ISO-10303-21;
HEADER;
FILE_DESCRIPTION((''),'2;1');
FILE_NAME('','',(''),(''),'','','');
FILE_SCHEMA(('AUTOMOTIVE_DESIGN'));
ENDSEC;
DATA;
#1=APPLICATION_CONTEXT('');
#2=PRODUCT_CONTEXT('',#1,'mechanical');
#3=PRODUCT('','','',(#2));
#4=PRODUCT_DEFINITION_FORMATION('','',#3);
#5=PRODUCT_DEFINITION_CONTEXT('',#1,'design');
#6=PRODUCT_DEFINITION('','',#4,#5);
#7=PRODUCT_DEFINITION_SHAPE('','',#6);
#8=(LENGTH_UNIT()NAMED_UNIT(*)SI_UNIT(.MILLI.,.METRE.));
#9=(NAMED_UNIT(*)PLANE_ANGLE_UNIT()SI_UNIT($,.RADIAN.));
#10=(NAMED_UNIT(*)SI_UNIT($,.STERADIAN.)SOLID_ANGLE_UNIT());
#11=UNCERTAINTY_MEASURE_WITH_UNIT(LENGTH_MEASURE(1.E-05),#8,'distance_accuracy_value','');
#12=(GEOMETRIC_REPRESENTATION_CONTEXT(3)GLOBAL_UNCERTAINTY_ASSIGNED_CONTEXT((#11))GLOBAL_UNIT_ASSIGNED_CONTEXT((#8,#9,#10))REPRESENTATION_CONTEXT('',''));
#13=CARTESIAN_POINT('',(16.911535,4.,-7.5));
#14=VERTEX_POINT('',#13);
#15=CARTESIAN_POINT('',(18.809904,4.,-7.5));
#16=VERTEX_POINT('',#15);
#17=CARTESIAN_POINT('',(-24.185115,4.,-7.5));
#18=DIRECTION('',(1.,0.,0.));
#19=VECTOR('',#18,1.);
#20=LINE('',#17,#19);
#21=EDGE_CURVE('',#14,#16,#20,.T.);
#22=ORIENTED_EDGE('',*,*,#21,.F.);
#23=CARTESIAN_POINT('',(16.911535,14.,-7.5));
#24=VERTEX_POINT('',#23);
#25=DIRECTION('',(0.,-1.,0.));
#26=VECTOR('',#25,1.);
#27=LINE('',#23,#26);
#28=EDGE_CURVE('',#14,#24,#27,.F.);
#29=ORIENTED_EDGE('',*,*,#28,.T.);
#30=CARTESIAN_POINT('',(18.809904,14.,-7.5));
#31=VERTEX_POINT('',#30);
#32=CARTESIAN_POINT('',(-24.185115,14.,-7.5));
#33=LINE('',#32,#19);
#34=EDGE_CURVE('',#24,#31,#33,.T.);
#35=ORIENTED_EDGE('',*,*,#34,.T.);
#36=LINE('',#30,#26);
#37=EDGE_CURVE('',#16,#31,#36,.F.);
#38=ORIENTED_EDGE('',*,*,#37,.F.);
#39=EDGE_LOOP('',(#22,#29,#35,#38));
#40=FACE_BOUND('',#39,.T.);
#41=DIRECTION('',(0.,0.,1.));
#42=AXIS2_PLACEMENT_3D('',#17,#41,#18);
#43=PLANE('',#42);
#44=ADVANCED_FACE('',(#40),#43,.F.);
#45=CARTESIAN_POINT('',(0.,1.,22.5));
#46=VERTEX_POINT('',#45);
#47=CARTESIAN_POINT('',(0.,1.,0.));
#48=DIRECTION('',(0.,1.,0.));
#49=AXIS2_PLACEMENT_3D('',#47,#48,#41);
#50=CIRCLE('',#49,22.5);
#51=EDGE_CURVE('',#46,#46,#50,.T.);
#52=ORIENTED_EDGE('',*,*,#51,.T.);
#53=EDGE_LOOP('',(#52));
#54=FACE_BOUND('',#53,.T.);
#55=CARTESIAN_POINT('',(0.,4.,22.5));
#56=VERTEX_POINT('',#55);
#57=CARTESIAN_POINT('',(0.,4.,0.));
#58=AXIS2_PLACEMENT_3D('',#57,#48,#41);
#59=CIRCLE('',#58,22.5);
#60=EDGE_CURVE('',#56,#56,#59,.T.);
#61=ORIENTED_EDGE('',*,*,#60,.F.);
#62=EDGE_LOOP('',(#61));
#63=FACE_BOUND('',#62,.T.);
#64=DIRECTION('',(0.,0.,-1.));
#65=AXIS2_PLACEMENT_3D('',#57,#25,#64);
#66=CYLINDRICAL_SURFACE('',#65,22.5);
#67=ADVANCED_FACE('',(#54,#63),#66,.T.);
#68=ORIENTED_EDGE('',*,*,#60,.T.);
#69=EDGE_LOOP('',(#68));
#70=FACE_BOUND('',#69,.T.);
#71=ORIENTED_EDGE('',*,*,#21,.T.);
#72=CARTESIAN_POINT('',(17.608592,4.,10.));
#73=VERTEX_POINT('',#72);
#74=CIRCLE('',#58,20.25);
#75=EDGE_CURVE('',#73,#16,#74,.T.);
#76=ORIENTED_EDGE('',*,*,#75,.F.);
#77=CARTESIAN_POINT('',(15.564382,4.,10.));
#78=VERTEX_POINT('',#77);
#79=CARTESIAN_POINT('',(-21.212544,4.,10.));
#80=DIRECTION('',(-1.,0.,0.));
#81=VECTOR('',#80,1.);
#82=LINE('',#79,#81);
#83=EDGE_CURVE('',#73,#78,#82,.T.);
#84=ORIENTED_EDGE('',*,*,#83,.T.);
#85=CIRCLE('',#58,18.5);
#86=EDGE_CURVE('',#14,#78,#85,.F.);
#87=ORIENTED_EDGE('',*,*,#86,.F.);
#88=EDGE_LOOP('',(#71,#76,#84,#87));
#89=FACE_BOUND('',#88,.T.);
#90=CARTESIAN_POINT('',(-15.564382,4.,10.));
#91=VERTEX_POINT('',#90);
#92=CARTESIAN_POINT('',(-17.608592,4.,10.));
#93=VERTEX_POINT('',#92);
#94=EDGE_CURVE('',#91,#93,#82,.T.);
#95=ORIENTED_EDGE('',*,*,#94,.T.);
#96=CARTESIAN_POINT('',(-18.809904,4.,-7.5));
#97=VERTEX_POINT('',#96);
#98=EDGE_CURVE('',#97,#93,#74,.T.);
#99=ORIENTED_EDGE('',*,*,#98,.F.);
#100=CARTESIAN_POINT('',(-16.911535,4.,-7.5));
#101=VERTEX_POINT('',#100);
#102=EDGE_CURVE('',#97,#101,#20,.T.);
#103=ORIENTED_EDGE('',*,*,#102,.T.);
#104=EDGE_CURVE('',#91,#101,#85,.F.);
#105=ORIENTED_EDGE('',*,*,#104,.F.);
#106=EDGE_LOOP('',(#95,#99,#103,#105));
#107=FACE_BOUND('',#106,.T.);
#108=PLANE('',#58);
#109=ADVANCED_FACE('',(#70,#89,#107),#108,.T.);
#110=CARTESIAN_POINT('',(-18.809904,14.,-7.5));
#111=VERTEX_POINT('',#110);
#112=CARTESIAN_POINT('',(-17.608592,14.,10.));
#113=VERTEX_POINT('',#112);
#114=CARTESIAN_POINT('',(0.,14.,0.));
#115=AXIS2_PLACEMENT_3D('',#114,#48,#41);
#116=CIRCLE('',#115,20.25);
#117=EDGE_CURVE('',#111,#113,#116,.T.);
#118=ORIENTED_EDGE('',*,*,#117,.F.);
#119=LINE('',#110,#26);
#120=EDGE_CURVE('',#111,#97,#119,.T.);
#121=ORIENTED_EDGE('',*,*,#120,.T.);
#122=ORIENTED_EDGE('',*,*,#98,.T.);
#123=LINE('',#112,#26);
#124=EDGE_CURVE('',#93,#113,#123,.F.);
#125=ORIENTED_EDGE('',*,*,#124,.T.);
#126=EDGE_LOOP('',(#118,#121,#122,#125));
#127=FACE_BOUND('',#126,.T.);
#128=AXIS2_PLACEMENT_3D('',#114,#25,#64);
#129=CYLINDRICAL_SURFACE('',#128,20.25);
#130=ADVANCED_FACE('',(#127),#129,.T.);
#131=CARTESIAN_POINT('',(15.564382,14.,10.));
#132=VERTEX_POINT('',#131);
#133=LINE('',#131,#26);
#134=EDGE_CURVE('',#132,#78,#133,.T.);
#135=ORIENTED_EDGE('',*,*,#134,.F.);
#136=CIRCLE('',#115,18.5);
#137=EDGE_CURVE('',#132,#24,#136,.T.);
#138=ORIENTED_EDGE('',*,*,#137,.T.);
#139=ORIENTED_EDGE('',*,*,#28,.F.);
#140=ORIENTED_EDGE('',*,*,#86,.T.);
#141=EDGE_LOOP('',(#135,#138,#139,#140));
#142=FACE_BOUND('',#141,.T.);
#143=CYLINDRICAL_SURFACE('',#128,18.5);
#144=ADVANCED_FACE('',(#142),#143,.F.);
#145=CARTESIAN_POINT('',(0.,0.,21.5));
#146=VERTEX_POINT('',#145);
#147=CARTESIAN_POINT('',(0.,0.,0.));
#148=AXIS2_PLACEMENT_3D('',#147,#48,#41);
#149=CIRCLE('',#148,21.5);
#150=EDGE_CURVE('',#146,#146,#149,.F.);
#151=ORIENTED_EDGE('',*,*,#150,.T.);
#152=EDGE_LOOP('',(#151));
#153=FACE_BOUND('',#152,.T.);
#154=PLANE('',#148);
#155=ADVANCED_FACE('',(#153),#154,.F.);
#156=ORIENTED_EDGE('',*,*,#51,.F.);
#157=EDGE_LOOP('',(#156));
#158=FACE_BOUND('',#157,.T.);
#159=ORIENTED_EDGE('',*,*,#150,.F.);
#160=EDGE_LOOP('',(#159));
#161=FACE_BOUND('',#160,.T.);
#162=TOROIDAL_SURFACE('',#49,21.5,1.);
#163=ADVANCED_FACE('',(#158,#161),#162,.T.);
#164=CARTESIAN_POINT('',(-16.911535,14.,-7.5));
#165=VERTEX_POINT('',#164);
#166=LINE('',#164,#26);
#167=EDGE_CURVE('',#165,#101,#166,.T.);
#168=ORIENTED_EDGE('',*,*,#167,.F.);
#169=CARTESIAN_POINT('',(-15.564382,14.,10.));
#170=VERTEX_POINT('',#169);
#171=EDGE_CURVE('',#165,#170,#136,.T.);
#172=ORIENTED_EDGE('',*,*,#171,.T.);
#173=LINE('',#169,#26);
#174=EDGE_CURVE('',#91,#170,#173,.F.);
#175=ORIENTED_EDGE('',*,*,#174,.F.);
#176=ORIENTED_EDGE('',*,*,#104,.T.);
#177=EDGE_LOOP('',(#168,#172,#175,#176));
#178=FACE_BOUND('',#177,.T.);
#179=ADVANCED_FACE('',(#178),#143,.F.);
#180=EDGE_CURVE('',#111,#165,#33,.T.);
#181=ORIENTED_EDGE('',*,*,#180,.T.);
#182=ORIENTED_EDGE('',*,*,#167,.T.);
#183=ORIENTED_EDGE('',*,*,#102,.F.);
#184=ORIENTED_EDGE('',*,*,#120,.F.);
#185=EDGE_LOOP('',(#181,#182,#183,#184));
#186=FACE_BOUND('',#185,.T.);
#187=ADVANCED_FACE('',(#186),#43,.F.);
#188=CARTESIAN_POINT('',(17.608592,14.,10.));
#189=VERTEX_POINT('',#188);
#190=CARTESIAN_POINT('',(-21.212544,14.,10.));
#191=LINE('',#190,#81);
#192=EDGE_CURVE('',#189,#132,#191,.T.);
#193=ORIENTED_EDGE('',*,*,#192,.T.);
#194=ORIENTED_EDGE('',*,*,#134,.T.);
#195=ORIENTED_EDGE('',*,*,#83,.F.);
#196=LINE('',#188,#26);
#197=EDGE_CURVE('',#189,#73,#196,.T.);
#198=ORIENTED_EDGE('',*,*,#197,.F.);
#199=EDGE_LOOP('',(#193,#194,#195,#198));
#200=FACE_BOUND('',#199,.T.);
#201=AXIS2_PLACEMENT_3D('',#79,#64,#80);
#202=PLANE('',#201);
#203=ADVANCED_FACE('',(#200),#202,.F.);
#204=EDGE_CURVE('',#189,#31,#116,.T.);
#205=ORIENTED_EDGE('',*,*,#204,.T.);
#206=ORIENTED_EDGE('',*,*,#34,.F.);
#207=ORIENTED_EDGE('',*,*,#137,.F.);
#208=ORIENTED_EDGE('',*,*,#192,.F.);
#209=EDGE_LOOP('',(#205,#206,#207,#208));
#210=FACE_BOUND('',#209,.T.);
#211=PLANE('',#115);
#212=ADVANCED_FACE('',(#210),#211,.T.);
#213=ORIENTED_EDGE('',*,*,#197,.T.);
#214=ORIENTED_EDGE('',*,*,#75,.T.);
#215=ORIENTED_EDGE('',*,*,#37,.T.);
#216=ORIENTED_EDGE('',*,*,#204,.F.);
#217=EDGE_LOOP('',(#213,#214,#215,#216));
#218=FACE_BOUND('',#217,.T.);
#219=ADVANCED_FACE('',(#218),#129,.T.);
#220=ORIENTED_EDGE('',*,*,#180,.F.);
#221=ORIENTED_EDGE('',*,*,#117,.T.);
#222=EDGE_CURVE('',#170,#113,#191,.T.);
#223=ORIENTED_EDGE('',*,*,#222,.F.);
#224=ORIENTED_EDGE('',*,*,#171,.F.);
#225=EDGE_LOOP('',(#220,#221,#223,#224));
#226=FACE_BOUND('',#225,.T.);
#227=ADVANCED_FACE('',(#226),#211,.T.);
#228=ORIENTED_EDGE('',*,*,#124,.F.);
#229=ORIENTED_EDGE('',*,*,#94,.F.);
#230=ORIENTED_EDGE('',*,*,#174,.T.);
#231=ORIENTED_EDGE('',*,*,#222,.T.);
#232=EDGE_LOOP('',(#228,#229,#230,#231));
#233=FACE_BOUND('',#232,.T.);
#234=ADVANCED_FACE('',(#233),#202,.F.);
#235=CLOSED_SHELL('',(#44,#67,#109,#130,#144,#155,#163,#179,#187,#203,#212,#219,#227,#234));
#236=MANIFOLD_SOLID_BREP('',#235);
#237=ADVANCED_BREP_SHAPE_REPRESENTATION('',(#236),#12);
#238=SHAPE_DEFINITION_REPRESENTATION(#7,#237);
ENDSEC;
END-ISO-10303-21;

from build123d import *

# Parameters (mm, degrees)
SKETCH1_R           = 22.5
SKETCH1_R_2         = 20.25
SKETCH1_R_3         = 18.5
BOSS_EXTRUDE1_DEPTH = 4
SKETCH2_R           = 20.25
SKETCH2_R_2         = 18.5
BOSS_EXTRUDE2_DEPTH = 10
SKETCH3_W           = 46.515228405
SKETCH3_H           = 15.633520553
SKETCH3_W_2         = 41.010467647
SKETCH3_H_2         = 11.670092807
CUT_EXTRUDE1_DEPTH  = 10
FILLET1_R           = 1


with BuildPart() as part:
    # Sketch1 → Boss-Extrude1 (new body)
    # profile 1 of 3: a face of its own
    with BuildSketch(Plane(origin=(0, 0, 0), x_dir=(1, 0, 0), z_dir=(0, 1, 0))):
        with Locations(Location((0, 0, 0), (0, 0, 270))):
            Circle(SKETCH1_R)
        Circle(SKETCH1_R_2, mode=Mode.SUBTRACT)
    # profile 2 of 3: a face of its own
    with BuildSketch(Plane(origin=(0, 0, 0), x_dir=(1, 0, 0), z_dir=(0, 1, 0))):
        Circle(SKETCH1_R_2)
        Circle(SKETCH1_R_3, mode=Mode.SUBTRACT)
    # profile 3 of 3: a face of its own
    with BuildSketch(Plane(origin=(0, 0, 0), x_dir=(1, 0, 0), z_dir=(0, 1, 0))):
        Circle(SKETCH1_R_3)
    extrude(amount=BOSS_EXTRUDE1_DEPTH)

    # Sketch2 → Boss-Extrude2 (add)
    with BuildSketch(Plane(origin=(0, 4, 0), x_dir=(1, 0, 0), z_dir=(0, 1, 0))):
        with Locations(Location((0, 0, 0), (0, 0, 270))):
            Circle(SKETCH2_R)
        with Locations(Location((0, 0, 0), (0, 0, 270))):
            Circle(SKETCH2_R_2, mode=Mode.SUBTRACT)
    extrude(amount=BOSS_EXTRUDE2_DEPTH)

    # Sketch3 → Cut-Extrude1 (cut)
    with BuildSketch(Plane(origin=(0, 14, 0), x_dir=(1, 0, 0), z_dir=(0, 1, 0))):
        with Locations((-0.927501078, 15.316760277)):
            Rectangle(SKETCH3_W, SKETCH3_H)
        with Locations((-0.707310647, -15.835046403)):
            Rectangle(SKETCH3_W_2, SKETCH3_H_2)
    extrude(amount=-CUT_EXTRUDE1_DEPTH, mode=Mode.SUBTRACT)

    # Fillet1
    fillet1_edges = [part.edges().sort_by_distance(p)[0] for p in [
        (0, 0, -22.5),
    ]]
    fillet(fillet1_edges, radius=FILLET1_R)


solid = part.part
